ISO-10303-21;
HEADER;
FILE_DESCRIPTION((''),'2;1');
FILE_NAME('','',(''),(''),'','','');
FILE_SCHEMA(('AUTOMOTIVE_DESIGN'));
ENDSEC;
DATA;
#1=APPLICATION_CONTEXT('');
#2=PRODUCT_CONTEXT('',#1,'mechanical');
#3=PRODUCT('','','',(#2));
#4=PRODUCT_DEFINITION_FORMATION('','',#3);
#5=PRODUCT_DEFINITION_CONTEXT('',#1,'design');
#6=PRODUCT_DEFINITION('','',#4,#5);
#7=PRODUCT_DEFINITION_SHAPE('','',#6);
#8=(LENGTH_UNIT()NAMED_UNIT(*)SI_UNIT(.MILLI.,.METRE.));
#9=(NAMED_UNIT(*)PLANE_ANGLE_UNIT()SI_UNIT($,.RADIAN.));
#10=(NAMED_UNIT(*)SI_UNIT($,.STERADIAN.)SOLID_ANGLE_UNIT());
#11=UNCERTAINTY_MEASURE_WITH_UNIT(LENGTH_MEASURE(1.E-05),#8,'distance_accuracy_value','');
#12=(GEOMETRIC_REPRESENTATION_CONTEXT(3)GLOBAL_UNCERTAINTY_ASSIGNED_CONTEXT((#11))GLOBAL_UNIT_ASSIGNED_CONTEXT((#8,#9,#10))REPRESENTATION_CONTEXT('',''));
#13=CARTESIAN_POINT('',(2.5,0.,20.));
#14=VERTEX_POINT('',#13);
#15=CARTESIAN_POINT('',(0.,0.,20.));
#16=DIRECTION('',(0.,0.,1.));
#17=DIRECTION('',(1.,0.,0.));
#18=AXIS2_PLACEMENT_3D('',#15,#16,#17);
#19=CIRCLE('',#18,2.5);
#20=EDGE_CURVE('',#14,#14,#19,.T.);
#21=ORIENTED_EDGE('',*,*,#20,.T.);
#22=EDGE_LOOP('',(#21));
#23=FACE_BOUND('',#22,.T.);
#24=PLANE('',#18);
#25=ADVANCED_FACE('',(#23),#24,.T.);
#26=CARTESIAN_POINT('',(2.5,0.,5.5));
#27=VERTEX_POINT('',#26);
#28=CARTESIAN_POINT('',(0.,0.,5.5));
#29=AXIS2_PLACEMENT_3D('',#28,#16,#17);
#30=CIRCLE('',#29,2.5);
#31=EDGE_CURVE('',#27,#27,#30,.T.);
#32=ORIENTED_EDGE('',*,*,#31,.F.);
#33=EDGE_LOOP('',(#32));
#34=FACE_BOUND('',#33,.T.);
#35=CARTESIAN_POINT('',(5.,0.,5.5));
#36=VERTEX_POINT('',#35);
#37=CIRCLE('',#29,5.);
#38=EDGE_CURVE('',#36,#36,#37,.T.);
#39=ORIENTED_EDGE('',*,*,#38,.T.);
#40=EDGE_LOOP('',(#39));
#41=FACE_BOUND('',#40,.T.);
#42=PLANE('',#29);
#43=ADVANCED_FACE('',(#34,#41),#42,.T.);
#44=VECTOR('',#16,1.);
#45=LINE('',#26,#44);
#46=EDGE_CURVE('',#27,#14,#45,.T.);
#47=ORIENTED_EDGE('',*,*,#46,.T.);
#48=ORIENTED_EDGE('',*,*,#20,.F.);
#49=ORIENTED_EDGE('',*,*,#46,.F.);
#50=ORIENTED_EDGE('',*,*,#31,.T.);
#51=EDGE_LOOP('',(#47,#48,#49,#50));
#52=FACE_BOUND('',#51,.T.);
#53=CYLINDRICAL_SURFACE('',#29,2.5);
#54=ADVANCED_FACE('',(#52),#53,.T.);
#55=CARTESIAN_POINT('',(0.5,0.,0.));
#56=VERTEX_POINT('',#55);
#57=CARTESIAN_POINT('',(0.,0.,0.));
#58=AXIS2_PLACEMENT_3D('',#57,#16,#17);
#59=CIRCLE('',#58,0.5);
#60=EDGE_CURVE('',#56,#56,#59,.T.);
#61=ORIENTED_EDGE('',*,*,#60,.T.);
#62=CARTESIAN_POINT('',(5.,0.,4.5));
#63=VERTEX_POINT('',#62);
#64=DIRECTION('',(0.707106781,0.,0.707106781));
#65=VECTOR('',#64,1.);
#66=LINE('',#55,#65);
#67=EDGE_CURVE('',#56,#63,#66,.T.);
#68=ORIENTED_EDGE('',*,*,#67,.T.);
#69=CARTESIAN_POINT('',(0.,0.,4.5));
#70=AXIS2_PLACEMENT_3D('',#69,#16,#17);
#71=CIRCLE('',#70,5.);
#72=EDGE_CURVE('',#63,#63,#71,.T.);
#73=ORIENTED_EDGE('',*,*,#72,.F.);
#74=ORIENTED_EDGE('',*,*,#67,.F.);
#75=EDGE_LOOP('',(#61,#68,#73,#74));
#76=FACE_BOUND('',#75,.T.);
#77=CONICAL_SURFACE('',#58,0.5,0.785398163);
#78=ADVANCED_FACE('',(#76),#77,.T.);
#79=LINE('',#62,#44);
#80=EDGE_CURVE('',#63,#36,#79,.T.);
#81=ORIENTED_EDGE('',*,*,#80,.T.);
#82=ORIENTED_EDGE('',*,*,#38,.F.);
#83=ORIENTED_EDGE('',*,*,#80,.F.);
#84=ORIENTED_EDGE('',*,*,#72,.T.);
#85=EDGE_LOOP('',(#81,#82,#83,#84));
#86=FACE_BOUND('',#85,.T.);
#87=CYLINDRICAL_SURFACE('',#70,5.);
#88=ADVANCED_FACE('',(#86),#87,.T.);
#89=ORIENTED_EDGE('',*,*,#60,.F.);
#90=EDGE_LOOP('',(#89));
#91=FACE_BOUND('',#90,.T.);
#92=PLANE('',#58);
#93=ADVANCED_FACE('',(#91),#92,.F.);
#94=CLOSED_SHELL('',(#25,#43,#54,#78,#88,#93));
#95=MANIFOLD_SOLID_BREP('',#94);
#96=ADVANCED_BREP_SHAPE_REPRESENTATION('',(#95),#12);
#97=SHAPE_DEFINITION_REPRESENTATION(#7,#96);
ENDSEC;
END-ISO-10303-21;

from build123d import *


with BuildPart() as part:
    # Sketch → Revolution (revolve)
    with BuildSketch(Plane.XZ):
        Polygon((0, 20), (0, 0), (0.5, 0), (5, 4.5), (5, 5.5), (2.5, 5.5), (2.5, 20), align=None)
    revolve(axis=Axis((0, 0, 0), (0, 0, 1)))


solid = part.part
